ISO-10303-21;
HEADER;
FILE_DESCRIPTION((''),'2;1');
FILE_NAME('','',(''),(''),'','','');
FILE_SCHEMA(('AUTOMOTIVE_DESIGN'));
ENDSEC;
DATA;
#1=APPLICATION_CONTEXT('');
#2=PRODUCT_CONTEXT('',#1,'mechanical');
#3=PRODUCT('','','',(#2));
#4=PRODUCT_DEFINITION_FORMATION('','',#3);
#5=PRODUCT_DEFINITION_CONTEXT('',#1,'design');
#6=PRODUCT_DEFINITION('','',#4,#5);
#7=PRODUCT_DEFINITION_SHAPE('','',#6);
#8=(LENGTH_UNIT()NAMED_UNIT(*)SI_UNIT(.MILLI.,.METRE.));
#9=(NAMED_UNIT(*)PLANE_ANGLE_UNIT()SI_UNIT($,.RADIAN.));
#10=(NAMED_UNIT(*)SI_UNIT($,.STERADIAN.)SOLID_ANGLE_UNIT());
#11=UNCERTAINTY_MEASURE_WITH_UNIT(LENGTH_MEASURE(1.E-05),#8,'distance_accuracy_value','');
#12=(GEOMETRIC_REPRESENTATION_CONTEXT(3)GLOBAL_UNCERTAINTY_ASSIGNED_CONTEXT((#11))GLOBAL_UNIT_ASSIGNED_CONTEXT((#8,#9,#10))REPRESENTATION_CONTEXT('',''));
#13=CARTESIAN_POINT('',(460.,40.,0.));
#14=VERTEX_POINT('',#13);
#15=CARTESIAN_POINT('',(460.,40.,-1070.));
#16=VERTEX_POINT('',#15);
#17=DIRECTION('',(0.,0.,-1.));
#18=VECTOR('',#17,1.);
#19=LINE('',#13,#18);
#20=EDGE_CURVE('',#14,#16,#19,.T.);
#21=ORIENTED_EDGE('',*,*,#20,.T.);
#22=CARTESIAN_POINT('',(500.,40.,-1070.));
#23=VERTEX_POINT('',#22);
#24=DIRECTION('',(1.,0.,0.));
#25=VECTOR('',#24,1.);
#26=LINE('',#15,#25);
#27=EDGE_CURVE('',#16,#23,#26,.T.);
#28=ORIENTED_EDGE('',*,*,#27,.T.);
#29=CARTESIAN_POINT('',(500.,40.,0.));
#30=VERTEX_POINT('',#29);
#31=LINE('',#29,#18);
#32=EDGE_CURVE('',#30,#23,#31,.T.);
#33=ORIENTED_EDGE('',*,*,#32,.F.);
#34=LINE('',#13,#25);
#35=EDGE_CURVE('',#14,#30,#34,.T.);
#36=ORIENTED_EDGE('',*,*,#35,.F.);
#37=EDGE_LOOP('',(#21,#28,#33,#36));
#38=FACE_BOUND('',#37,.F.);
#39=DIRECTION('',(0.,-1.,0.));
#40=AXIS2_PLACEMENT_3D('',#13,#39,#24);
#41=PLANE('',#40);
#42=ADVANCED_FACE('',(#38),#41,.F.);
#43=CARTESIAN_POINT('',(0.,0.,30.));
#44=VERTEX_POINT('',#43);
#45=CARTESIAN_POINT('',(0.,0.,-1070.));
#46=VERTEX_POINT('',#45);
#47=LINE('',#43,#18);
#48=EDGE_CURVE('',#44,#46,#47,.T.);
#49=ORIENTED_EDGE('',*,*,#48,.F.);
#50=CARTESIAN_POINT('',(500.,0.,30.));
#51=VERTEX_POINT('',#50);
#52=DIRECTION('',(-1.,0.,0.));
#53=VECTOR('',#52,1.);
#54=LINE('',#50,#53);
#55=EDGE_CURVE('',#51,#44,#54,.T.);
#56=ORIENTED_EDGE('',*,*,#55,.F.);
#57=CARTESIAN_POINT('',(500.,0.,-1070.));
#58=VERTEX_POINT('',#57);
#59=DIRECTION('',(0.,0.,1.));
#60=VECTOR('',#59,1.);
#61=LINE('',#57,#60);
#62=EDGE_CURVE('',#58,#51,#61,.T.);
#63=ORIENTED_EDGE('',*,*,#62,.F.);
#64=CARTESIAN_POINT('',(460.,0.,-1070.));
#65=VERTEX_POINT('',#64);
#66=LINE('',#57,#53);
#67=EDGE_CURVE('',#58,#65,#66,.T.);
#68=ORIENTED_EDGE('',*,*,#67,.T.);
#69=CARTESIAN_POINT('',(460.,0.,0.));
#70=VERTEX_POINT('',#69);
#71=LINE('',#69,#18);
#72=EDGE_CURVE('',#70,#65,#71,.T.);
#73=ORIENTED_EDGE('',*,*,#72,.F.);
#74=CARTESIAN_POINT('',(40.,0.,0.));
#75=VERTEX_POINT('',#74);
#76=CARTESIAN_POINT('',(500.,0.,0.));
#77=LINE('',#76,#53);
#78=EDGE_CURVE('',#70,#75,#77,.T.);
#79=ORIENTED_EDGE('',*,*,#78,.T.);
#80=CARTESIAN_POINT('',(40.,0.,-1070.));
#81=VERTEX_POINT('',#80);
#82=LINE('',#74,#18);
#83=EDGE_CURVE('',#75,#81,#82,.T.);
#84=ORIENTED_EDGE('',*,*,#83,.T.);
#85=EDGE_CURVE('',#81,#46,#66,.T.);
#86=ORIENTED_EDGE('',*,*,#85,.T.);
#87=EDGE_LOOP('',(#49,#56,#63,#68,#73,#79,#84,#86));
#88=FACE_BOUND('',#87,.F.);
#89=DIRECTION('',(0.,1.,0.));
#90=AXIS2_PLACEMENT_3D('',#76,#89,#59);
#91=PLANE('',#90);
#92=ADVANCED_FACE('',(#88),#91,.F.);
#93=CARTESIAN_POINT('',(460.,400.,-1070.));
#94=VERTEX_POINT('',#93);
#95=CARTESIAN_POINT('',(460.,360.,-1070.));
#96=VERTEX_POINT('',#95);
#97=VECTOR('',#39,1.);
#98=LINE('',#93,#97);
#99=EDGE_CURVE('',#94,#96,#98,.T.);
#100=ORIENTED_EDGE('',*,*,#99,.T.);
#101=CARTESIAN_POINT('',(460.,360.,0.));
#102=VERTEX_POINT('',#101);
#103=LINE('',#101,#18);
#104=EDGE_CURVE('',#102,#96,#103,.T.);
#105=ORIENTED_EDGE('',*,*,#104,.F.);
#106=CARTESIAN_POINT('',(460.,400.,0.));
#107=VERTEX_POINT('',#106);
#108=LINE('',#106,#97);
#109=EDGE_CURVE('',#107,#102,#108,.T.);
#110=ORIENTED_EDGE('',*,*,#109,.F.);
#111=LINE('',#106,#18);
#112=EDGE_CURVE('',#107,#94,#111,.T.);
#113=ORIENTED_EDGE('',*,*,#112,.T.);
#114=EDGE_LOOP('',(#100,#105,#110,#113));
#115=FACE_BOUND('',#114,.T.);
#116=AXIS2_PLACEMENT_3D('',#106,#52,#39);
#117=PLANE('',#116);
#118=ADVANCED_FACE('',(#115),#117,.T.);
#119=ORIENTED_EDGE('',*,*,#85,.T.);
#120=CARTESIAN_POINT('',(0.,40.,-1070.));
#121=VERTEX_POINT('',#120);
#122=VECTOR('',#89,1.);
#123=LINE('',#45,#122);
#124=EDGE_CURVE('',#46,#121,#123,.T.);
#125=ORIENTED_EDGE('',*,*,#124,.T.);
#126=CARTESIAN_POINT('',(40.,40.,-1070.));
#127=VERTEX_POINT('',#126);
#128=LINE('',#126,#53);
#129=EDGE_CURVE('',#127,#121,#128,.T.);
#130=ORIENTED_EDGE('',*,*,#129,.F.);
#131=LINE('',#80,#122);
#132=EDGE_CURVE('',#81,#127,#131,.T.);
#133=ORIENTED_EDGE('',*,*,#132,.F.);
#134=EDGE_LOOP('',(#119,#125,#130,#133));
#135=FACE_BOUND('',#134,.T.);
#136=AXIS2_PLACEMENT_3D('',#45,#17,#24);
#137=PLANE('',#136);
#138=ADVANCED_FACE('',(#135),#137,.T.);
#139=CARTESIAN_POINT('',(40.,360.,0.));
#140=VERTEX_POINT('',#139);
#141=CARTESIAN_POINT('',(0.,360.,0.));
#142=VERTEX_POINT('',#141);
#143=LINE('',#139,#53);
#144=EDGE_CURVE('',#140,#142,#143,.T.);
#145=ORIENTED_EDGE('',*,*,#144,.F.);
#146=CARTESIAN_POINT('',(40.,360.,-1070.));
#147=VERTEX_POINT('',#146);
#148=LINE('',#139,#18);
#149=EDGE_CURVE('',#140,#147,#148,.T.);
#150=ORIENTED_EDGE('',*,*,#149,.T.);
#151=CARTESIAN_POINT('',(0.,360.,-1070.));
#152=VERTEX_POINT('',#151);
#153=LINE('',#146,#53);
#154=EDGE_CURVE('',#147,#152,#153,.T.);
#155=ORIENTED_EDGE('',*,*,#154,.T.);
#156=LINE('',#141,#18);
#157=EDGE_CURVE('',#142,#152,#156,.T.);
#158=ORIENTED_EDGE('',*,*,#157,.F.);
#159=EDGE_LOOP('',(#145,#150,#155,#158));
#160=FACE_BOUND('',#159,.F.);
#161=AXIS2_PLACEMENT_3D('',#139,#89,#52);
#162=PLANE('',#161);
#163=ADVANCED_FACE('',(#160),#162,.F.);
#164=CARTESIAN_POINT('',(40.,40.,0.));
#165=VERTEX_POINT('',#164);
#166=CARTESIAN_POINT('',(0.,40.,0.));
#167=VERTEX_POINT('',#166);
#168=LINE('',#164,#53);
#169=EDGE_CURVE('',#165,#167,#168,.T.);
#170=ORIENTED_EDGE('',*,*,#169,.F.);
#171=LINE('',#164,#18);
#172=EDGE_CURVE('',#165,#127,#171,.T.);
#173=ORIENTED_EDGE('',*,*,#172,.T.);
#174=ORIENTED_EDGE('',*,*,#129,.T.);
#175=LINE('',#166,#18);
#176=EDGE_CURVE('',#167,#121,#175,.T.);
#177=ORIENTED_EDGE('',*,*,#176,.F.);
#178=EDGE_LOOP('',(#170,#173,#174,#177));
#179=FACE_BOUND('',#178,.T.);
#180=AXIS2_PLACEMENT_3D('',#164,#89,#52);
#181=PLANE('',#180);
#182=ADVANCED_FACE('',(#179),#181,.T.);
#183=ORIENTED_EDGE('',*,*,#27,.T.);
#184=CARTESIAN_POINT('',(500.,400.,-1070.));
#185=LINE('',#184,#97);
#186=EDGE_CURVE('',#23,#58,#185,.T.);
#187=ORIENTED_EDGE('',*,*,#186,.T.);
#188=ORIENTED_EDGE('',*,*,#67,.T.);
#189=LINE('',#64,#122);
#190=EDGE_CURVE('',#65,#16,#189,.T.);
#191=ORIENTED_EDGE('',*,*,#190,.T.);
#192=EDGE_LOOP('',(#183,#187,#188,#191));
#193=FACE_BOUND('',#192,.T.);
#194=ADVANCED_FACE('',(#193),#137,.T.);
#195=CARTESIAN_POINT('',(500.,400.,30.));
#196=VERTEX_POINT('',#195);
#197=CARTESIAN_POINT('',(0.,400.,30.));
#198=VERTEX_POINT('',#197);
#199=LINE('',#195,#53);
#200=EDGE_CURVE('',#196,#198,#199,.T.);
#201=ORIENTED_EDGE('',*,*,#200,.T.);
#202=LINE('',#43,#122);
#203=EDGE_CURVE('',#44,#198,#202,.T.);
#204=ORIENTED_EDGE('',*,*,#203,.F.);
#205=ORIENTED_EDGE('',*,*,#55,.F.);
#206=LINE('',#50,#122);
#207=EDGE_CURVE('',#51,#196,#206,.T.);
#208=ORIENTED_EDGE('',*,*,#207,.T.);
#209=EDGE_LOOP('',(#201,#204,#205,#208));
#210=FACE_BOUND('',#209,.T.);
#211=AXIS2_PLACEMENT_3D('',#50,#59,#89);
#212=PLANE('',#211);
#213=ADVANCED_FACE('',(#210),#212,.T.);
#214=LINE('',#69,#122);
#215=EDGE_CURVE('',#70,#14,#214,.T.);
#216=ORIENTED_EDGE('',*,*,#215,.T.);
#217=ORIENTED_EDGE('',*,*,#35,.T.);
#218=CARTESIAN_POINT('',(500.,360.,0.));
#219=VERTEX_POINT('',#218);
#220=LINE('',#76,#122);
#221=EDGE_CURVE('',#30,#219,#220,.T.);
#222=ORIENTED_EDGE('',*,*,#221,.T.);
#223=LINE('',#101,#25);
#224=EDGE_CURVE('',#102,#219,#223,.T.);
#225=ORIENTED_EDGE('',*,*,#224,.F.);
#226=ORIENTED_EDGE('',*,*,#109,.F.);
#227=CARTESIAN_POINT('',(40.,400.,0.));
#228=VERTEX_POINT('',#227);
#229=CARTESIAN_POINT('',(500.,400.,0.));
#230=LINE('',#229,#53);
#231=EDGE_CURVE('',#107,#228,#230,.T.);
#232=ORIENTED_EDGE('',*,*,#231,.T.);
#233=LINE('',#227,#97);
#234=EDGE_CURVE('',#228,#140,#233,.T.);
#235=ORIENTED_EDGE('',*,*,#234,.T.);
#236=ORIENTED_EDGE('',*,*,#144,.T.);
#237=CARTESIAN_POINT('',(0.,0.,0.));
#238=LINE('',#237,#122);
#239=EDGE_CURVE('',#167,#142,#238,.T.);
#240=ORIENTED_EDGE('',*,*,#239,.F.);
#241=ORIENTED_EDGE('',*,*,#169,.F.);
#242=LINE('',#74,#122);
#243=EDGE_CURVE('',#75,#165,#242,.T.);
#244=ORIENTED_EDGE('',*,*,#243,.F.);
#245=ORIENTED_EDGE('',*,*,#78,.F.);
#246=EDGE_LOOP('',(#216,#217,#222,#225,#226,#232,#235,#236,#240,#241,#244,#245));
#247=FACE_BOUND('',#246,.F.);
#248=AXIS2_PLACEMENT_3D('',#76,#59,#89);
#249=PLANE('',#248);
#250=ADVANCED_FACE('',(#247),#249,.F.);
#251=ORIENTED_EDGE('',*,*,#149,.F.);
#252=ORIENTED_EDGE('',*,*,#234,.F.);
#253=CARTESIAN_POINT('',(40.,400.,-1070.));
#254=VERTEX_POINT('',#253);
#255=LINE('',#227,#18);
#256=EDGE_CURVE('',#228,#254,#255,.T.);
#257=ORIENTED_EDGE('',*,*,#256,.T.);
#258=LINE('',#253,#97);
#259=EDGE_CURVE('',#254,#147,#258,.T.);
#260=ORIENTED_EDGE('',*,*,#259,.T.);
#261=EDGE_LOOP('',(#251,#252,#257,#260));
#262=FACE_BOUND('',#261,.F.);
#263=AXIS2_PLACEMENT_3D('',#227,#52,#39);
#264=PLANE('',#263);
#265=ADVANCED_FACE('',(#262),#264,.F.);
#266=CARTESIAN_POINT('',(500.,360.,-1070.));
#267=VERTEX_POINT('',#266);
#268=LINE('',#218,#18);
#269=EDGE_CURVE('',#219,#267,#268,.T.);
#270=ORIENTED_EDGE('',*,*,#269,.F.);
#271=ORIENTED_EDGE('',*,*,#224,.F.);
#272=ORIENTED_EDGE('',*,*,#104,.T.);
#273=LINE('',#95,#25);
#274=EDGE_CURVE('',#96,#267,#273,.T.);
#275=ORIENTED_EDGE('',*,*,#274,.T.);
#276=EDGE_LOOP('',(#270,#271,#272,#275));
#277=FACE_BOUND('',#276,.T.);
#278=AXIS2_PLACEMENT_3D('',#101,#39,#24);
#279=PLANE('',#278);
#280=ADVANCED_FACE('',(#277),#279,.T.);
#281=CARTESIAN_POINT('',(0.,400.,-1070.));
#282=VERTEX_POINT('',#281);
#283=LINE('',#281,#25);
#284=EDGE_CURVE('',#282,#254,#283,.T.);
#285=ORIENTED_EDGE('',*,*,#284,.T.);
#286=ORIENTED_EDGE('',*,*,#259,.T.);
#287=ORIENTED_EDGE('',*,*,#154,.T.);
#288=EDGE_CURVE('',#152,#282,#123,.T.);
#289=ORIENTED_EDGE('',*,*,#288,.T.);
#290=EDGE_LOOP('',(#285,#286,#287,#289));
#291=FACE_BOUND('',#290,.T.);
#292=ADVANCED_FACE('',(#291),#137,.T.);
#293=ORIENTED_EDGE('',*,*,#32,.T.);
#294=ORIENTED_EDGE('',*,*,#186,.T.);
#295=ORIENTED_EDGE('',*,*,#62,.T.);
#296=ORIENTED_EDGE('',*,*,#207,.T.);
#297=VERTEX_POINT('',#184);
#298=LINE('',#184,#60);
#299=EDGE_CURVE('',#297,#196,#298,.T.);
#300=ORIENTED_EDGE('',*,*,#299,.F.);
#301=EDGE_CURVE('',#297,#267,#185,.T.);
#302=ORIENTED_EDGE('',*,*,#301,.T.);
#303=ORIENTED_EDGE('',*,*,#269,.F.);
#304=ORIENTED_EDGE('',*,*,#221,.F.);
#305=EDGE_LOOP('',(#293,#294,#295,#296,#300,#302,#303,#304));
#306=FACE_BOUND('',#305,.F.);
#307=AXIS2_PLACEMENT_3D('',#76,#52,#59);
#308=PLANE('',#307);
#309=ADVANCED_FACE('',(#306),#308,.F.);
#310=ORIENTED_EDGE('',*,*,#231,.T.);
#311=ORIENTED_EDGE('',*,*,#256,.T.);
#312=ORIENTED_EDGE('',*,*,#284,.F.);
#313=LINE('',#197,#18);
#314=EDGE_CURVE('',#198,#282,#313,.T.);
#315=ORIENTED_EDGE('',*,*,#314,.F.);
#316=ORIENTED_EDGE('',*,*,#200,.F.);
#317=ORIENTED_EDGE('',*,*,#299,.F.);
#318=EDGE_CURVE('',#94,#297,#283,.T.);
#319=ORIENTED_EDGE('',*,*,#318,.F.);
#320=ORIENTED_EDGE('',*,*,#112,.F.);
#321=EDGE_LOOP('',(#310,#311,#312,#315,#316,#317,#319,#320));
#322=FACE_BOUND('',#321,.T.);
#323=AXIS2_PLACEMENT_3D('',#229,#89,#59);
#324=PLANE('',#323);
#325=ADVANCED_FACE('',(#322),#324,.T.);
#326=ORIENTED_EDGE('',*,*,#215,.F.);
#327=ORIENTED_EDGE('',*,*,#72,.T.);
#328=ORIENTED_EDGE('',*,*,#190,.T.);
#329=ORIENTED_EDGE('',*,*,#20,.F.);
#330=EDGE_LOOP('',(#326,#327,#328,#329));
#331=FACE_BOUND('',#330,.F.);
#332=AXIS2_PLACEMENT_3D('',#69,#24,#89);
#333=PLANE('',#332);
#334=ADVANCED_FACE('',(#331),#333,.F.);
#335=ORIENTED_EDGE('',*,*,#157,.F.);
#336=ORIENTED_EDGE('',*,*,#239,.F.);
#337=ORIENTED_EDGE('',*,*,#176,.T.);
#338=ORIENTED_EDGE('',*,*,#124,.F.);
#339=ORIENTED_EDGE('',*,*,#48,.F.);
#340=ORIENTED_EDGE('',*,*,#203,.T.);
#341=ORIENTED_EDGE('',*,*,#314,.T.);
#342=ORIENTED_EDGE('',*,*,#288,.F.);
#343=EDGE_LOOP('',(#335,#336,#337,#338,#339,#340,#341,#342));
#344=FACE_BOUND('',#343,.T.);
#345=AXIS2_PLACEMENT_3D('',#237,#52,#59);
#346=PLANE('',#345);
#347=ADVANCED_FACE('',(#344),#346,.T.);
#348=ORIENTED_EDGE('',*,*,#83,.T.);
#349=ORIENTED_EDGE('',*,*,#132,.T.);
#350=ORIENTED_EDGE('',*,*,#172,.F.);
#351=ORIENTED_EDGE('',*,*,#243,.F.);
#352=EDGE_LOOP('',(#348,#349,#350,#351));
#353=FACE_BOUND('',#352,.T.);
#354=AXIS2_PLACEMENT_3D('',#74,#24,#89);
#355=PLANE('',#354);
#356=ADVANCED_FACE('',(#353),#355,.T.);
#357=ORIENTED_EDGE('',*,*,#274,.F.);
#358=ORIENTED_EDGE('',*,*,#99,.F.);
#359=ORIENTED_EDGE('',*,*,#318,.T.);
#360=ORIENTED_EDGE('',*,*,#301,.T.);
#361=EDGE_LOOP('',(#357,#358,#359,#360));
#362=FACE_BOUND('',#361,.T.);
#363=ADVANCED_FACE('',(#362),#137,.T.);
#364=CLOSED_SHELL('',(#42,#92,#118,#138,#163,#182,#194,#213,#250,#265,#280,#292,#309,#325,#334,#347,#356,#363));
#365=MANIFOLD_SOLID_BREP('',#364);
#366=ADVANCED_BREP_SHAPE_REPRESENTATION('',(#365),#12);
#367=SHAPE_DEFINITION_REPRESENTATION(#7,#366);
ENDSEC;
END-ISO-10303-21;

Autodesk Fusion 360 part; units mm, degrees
box "PrimitivaParallelepipedo1" add length 400 width 500 height 30 placed x (0, 1, 0) y (-1, 0, 0) z (0, 0, 1) at (500, 0, 0)
sketch "Schizzo2" plane through (0, 0, 0) normal (0, 0, -1) x (1, 0, 0)
  line L0 (0, -400) -> (500, -400)
  line L1 (500, -400) -> (500, 0)
  line L2 (500, 0) -> (0, 0)
  line L3 (0, 0) -> (0, -400)
  line L4 (0, 0) -> (40, 0)
  line L5 (40, 0) -> (40, -40)
  line L6 (40, -40) -> (0, -40)
  line L7 (0, -40) -> (0, 0)
  line L8 (500, 0) -> (460, 0)
  line L9 (460, 0) -> (460, -40)
  line L10 (460, -40) -> (500, -40)
  line L11 (500, -40) -> (500, 0)
  line L12 (500, -400) -> (460, -400)
  line L13 (460, -400) -> (460, -360)
  line L14 (460, -360) -> (500, -360)
  line L15 (500, -360) -> (500, -400)
  line L16 (0, -400) -> (40, -400)
  line L17 (40, -400) -> (40, -360)
  line L18 (40, -360) -> (0, -360)
  line L19 (0, -360) -> (0, -400)
  dimension "d6" = 40
  dimension "d7" = 40
  dimension "d8" = 40
  dimension "d9" = 40
extrude "Estrusione1" add sketch "Schizzo2" along normal blind 1070 contours L0 L3 L16 L17 L18 L19 | L0 L1 L12 L13 L14 L15 | L2 L3 L4 L5 L6 L7 | L1 L2 L8 L9 L10 L11
component "Component" placed x (1, 0, 0) y (0, 1, 0) z (0, 0, 1) at (0, 0, 0)
